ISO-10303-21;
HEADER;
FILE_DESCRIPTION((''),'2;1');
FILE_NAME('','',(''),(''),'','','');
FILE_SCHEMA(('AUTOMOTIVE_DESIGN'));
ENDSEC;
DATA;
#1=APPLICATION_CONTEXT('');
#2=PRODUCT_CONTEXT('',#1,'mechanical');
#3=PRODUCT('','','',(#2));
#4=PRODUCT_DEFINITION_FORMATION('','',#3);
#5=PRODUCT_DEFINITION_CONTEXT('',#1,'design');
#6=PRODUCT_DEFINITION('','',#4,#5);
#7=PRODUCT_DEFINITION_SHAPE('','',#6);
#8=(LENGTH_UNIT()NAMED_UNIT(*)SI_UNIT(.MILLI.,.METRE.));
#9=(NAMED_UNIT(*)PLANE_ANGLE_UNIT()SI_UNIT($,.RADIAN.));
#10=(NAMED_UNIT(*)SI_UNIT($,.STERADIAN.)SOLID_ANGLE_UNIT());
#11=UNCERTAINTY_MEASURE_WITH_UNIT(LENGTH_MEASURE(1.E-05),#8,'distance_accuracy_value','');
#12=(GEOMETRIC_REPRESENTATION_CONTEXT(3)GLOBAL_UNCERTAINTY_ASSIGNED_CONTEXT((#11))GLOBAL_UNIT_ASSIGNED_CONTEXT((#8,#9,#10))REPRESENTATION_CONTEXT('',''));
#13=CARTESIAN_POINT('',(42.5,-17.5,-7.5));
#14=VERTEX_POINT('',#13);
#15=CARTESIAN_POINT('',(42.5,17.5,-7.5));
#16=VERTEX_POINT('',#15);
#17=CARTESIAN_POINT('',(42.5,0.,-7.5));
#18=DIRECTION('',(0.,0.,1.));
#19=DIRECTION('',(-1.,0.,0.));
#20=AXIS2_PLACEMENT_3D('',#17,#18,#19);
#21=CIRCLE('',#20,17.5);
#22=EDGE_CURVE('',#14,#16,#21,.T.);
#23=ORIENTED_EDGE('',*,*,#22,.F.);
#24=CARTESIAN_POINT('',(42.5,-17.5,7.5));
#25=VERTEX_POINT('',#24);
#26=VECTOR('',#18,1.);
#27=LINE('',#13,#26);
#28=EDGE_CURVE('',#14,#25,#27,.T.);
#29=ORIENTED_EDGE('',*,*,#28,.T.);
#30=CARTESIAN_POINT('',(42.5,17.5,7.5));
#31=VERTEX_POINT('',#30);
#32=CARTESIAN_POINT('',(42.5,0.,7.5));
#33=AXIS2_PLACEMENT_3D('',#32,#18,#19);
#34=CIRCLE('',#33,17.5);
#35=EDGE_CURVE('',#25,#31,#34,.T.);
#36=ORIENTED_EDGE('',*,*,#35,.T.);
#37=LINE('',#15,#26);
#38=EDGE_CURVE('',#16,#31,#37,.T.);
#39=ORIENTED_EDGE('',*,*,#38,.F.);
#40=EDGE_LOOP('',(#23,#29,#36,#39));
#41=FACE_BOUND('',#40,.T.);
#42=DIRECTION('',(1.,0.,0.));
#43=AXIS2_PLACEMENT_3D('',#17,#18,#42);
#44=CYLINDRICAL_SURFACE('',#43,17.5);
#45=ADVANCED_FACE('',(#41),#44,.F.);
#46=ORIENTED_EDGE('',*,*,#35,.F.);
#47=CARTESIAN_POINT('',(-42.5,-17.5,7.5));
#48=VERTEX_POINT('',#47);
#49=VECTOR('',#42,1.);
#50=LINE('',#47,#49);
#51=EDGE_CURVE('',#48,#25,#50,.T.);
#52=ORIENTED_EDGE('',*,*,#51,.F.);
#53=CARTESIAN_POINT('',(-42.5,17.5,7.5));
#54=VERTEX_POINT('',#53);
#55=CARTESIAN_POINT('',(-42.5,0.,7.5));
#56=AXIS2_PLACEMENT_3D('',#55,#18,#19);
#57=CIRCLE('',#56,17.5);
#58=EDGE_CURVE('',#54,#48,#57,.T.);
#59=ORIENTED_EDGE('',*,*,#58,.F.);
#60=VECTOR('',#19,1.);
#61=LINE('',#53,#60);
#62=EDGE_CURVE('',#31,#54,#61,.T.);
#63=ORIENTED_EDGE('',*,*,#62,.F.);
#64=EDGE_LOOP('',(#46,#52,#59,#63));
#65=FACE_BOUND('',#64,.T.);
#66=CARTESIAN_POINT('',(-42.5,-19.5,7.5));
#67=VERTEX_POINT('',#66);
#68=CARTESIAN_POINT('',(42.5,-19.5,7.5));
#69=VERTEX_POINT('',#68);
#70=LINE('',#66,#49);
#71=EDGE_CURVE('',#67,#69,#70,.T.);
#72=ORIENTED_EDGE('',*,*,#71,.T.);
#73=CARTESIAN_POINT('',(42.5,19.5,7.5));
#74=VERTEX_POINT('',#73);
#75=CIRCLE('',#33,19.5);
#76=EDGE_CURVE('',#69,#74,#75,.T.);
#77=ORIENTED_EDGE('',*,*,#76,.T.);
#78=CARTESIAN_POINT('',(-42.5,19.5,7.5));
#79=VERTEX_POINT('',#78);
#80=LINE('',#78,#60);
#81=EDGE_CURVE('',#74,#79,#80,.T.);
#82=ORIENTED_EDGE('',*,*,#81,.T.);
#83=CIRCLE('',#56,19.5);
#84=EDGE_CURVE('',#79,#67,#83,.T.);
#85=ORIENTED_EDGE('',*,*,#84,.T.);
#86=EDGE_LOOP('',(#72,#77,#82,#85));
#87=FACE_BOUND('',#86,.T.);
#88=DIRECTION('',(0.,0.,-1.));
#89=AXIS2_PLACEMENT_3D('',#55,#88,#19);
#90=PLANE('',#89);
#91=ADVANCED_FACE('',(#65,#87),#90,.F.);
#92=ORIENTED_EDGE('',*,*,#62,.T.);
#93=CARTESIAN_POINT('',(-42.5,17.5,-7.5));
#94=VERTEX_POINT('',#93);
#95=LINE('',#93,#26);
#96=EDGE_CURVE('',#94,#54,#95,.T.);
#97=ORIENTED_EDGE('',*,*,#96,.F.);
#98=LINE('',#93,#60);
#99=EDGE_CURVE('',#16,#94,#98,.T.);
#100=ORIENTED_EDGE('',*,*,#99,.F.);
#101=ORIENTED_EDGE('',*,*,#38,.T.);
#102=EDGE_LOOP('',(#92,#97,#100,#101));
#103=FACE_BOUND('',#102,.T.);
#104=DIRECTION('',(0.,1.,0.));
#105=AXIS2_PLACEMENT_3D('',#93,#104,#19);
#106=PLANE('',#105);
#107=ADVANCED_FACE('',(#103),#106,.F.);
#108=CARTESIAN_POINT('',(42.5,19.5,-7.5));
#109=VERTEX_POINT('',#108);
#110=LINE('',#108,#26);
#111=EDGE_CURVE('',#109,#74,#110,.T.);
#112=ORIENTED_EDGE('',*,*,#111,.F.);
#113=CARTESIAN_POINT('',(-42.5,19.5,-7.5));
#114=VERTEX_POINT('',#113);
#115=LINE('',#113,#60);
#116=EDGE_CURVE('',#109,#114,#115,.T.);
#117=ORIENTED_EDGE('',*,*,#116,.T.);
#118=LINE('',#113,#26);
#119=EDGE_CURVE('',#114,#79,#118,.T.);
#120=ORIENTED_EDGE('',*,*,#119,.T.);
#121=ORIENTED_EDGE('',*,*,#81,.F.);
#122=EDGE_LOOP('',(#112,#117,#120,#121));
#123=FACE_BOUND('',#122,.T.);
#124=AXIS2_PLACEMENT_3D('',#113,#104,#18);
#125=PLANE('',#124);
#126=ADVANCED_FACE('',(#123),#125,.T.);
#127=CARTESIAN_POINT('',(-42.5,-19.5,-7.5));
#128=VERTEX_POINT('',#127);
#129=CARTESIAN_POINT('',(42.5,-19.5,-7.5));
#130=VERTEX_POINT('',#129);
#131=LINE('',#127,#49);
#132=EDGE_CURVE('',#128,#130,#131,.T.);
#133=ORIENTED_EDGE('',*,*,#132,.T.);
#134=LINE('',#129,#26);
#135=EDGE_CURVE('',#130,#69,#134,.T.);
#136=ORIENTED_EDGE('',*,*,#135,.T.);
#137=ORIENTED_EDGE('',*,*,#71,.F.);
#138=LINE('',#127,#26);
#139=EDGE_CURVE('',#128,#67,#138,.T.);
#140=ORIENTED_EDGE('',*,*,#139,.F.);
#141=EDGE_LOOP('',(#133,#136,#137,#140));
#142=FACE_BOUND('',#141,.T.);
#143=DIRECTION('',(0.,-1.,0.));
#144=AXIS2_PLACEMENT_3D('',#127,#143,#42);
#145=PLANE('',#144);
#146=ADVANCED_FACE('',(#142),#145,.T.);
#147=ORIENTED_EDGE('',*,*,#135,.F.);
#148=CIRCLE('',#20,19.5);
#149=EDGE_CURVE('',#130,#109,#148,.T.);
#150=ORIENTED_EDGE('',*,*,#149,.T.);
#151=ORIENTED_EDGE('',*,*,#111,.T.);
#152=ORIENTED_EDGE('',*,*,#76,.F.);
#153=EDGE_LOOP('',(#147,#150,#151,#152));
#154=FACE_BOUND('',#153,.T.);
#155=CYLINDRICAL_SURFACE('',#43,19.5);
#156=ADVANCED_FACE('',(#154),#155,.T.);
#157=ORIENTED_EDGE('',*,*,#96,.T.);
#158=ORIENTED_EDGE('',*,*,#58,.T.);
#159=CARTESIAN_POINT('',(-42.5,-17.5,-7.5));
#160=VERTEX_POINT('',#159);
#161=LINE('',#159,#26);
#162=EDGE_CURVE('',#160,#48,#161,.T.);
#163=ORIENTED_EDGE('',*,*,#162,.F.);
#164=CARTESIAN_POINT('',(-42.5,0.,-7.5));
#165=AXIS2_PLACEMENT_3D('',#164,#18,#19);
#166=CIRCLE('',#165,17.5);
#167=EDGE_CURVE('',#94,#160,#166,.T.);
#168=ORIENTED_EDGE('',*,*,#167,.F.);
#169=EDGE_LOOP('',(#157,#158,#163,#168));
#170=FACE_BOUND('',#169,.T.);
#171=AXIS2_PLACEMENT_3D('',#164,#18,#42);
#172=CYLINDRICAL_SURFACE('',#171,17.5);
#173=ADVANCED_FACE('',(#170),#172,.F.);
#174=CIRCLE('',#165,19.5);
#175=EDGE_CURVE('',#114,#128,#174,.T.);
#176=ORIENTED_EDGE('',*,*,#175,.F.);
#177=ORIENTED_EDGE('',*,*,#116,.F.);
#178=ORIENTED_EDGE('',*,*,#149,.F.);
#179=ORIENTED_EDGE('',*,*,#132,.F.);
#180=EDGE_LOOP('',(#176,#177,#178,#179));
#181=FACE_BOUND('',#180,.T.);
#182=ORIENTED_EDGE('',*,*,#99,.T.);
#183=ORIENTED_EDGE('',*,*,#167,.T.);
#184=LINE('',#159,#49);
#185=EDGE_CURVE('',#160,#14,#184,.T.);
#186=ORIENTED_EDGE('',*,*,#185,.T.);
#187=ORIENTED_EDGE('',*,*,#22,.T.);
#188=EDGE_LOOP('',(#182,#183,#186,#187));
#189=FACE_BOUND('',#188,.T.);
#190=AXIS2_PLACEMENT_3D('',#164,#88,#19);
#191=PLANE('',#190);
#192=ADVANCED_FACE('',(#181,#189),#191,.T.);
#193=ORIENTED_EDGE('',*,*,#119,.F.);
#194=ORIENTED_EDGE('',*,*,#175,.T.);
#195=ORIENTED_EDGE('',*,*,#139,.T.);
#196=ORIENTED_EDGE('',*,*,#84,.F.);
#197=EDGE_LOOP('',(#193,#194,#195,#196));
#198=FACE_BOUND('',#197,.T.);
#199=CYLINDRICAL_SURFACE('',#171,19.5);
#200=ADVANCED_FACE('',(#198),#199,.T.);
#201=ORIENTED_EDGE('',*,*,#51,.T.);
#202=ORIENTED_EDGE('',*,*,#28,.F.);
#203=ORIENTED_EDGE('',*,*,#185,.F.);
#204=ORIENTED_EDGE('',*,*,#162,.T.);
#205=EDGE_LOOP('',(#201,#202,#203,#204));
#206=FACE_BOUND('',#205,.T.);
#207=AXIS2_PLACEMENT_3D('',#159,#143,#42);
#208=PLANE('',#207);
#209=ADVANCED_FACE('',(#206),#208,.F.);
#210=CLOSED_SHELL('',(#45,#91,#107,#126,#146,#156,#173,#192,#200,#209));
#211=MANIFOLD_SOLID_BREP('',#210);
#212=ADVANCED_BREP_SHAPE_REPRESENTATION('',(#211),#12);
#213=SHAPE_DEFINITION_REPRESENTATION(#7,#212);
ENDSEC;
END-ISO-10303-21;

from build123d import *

# Parameters (mm, degrees)
BOSS_EXTRUDE1_DEPTH      = 7.5
BOSS_EXTRUDE1_DEPTH_BACK = 7.5


with BuildPart() as part:
    # Sketch1 → Boss-Extrude1 (new, two sides: drawn at the far end of the back side and taken through both)
    with BuildSketch(Plane.XY.offset(-BOSS_EXTRUDE1_DEPTH_BACK)):
        with BuildLine():
            Line((-42.5, 19.5), (42.5, 19.5))
            ThreePointArc((42.5, 19.5), (62, 0), (42.5, -19.5))
            Line((42.5, -19.5), (-42.5, -19.5))
            ThreePointArc((-42.5, -19.5), (-62, 0), (-42.5, 19.5))
        make_face()
        with BuildLine():
            Line((-42.5, 17.5), (42.5, 17.5))
            ThreePointArc((42.5, 17.5), (60, 0), (42.5, -17.5))
            Line((42.5, -17.5), (-42.5, -17.5))
            ThreePointArc((-42.5, -17.5), (-60, 0), (-42.5, 17.5))
        make_face(mode=Mode.SUBTRACT)
    extrude(amount=BOSS_EXTRUDE1_DEPTH + BOSS_EXTRUDE1_DEPTH_BACK)


solid = part.part
